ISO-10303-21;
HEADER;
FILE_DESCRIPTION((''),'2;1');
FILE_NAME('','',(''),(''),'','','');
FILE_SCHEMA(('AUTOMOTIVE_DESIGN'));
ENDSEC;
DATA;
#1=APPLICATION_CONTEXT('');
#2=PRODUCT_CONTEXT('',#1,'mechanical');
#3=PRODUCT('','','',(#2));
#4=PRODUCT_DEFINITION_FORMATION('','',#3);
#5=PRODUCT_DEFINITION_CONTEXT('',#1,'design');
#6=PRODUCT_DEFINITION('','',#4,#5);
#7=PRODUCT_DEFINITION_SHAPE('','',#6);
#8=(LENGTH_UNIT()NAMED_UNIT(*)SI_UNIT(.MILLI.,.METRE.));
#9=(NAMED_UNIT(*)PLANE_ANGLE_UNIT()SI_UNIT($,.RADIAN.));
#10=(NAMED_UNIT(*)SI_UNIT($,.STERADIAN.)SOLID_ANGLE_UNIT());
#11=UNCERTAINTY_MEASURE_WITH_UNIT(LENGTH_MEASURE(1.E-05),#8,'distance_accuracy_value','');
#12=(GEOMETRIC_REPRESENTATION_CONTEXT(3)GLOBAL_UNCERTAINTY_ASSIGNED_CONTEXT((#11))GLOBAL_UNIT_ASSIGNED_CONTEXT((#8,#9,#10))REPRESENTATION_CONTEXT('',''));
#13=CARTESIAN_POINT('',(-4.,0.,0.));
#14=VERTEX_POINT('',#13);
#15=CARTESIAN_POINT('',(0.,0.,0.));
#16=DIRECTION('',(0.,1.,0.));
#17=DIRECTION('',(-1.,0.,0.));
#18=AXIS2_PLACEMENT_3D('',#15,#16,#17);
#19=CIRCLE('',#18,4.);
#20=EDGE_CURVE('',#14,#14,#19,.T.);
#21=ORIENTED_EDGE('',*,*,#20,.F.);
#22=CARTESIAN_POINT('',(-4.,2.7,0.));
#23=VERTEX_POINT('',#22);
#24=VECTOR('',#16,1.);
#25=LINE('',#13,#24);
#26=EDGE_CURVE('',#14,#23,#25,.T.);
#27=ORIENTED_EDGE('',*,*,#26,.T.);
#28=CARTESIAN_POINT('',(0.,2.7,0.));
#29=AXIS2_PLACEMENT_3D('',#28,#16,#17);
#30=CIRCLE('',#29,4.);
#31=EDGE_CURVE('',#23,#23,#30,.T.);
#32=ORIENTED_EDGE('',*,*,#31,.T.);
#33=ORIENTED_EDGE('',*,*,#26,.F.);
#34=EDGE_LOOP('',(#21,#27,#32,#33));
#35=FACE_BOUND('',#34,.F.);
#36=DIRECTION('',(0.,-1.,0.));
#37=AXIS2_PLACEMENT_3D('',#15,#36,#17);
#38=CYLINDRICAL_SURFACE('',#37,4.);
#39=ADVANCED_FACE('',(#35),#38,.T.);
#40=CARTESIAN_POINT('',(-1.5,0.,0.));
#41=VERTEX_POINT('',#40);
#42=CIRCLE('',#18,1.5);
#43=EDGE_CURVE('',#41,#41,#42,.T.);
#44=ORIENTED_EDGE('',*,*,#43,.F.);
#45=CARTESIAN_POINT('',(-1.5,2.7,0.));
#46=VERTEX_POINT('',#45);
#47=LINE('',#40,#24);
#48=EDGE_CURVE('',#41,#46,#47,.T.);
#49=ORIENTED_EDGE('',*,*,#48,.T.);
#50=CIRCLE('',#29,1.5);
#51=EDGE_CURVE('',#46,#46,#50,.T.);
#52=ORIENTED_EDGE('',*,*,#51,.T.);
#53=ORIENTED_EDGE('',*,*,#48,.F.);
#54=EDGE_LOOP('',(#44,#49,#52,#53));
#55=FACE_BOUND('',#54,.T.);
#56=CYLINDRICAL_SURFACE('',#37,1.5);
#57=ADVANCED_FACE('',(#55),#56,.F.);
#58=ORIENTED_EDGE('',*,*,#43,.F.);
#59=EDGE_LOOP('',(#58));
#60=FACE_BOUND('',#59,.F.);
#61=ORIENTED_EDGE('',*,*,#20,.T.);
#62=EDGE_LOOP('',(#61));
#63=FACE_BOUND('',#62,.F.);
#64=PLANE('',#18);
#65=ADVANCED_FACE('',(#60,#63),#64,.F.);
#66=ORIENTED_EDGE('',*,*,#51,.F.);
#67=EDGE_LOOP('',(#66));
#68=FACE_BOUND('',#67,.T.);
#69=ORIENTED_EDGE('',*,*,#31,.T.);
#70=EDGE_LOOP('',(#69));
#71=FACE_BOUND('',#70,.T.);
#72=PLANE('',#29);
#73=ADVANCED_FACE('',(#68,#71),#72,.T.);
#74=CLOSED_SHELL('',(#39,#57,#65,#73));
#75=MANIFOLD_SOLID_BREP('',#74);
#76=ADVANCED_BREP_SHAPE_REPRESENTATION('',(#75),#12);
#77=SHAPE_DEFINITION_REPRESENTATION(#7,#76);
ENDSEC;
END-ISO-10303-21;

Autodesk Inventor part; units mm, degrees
ref_plane "YZ Plane" through (0, 0, 0) normal (1, 0, 0) x (0, 1, 0)
ref_plane "XZ Plane" through (0, 0, 0) normal (0, 1, 0) x (-1, 0, 0)
ref_plane "XY Plane" through (0, 0, 0) normal (0, 0, 1) x (1, 0, 0)
sketch "Boceto1" plane through (0, 0, 0) normal (0, 1, 0) x (-1, 0, 0)
  circle A0 centre (0, 0) radius 4
  circle A1 centre (0, 0) radius 1.5
  dimension "d0" = 3
  dimension "d1" = 2.5
extrude "Extrusión1" add sketch "Boceto1" along normal blind 2.7
